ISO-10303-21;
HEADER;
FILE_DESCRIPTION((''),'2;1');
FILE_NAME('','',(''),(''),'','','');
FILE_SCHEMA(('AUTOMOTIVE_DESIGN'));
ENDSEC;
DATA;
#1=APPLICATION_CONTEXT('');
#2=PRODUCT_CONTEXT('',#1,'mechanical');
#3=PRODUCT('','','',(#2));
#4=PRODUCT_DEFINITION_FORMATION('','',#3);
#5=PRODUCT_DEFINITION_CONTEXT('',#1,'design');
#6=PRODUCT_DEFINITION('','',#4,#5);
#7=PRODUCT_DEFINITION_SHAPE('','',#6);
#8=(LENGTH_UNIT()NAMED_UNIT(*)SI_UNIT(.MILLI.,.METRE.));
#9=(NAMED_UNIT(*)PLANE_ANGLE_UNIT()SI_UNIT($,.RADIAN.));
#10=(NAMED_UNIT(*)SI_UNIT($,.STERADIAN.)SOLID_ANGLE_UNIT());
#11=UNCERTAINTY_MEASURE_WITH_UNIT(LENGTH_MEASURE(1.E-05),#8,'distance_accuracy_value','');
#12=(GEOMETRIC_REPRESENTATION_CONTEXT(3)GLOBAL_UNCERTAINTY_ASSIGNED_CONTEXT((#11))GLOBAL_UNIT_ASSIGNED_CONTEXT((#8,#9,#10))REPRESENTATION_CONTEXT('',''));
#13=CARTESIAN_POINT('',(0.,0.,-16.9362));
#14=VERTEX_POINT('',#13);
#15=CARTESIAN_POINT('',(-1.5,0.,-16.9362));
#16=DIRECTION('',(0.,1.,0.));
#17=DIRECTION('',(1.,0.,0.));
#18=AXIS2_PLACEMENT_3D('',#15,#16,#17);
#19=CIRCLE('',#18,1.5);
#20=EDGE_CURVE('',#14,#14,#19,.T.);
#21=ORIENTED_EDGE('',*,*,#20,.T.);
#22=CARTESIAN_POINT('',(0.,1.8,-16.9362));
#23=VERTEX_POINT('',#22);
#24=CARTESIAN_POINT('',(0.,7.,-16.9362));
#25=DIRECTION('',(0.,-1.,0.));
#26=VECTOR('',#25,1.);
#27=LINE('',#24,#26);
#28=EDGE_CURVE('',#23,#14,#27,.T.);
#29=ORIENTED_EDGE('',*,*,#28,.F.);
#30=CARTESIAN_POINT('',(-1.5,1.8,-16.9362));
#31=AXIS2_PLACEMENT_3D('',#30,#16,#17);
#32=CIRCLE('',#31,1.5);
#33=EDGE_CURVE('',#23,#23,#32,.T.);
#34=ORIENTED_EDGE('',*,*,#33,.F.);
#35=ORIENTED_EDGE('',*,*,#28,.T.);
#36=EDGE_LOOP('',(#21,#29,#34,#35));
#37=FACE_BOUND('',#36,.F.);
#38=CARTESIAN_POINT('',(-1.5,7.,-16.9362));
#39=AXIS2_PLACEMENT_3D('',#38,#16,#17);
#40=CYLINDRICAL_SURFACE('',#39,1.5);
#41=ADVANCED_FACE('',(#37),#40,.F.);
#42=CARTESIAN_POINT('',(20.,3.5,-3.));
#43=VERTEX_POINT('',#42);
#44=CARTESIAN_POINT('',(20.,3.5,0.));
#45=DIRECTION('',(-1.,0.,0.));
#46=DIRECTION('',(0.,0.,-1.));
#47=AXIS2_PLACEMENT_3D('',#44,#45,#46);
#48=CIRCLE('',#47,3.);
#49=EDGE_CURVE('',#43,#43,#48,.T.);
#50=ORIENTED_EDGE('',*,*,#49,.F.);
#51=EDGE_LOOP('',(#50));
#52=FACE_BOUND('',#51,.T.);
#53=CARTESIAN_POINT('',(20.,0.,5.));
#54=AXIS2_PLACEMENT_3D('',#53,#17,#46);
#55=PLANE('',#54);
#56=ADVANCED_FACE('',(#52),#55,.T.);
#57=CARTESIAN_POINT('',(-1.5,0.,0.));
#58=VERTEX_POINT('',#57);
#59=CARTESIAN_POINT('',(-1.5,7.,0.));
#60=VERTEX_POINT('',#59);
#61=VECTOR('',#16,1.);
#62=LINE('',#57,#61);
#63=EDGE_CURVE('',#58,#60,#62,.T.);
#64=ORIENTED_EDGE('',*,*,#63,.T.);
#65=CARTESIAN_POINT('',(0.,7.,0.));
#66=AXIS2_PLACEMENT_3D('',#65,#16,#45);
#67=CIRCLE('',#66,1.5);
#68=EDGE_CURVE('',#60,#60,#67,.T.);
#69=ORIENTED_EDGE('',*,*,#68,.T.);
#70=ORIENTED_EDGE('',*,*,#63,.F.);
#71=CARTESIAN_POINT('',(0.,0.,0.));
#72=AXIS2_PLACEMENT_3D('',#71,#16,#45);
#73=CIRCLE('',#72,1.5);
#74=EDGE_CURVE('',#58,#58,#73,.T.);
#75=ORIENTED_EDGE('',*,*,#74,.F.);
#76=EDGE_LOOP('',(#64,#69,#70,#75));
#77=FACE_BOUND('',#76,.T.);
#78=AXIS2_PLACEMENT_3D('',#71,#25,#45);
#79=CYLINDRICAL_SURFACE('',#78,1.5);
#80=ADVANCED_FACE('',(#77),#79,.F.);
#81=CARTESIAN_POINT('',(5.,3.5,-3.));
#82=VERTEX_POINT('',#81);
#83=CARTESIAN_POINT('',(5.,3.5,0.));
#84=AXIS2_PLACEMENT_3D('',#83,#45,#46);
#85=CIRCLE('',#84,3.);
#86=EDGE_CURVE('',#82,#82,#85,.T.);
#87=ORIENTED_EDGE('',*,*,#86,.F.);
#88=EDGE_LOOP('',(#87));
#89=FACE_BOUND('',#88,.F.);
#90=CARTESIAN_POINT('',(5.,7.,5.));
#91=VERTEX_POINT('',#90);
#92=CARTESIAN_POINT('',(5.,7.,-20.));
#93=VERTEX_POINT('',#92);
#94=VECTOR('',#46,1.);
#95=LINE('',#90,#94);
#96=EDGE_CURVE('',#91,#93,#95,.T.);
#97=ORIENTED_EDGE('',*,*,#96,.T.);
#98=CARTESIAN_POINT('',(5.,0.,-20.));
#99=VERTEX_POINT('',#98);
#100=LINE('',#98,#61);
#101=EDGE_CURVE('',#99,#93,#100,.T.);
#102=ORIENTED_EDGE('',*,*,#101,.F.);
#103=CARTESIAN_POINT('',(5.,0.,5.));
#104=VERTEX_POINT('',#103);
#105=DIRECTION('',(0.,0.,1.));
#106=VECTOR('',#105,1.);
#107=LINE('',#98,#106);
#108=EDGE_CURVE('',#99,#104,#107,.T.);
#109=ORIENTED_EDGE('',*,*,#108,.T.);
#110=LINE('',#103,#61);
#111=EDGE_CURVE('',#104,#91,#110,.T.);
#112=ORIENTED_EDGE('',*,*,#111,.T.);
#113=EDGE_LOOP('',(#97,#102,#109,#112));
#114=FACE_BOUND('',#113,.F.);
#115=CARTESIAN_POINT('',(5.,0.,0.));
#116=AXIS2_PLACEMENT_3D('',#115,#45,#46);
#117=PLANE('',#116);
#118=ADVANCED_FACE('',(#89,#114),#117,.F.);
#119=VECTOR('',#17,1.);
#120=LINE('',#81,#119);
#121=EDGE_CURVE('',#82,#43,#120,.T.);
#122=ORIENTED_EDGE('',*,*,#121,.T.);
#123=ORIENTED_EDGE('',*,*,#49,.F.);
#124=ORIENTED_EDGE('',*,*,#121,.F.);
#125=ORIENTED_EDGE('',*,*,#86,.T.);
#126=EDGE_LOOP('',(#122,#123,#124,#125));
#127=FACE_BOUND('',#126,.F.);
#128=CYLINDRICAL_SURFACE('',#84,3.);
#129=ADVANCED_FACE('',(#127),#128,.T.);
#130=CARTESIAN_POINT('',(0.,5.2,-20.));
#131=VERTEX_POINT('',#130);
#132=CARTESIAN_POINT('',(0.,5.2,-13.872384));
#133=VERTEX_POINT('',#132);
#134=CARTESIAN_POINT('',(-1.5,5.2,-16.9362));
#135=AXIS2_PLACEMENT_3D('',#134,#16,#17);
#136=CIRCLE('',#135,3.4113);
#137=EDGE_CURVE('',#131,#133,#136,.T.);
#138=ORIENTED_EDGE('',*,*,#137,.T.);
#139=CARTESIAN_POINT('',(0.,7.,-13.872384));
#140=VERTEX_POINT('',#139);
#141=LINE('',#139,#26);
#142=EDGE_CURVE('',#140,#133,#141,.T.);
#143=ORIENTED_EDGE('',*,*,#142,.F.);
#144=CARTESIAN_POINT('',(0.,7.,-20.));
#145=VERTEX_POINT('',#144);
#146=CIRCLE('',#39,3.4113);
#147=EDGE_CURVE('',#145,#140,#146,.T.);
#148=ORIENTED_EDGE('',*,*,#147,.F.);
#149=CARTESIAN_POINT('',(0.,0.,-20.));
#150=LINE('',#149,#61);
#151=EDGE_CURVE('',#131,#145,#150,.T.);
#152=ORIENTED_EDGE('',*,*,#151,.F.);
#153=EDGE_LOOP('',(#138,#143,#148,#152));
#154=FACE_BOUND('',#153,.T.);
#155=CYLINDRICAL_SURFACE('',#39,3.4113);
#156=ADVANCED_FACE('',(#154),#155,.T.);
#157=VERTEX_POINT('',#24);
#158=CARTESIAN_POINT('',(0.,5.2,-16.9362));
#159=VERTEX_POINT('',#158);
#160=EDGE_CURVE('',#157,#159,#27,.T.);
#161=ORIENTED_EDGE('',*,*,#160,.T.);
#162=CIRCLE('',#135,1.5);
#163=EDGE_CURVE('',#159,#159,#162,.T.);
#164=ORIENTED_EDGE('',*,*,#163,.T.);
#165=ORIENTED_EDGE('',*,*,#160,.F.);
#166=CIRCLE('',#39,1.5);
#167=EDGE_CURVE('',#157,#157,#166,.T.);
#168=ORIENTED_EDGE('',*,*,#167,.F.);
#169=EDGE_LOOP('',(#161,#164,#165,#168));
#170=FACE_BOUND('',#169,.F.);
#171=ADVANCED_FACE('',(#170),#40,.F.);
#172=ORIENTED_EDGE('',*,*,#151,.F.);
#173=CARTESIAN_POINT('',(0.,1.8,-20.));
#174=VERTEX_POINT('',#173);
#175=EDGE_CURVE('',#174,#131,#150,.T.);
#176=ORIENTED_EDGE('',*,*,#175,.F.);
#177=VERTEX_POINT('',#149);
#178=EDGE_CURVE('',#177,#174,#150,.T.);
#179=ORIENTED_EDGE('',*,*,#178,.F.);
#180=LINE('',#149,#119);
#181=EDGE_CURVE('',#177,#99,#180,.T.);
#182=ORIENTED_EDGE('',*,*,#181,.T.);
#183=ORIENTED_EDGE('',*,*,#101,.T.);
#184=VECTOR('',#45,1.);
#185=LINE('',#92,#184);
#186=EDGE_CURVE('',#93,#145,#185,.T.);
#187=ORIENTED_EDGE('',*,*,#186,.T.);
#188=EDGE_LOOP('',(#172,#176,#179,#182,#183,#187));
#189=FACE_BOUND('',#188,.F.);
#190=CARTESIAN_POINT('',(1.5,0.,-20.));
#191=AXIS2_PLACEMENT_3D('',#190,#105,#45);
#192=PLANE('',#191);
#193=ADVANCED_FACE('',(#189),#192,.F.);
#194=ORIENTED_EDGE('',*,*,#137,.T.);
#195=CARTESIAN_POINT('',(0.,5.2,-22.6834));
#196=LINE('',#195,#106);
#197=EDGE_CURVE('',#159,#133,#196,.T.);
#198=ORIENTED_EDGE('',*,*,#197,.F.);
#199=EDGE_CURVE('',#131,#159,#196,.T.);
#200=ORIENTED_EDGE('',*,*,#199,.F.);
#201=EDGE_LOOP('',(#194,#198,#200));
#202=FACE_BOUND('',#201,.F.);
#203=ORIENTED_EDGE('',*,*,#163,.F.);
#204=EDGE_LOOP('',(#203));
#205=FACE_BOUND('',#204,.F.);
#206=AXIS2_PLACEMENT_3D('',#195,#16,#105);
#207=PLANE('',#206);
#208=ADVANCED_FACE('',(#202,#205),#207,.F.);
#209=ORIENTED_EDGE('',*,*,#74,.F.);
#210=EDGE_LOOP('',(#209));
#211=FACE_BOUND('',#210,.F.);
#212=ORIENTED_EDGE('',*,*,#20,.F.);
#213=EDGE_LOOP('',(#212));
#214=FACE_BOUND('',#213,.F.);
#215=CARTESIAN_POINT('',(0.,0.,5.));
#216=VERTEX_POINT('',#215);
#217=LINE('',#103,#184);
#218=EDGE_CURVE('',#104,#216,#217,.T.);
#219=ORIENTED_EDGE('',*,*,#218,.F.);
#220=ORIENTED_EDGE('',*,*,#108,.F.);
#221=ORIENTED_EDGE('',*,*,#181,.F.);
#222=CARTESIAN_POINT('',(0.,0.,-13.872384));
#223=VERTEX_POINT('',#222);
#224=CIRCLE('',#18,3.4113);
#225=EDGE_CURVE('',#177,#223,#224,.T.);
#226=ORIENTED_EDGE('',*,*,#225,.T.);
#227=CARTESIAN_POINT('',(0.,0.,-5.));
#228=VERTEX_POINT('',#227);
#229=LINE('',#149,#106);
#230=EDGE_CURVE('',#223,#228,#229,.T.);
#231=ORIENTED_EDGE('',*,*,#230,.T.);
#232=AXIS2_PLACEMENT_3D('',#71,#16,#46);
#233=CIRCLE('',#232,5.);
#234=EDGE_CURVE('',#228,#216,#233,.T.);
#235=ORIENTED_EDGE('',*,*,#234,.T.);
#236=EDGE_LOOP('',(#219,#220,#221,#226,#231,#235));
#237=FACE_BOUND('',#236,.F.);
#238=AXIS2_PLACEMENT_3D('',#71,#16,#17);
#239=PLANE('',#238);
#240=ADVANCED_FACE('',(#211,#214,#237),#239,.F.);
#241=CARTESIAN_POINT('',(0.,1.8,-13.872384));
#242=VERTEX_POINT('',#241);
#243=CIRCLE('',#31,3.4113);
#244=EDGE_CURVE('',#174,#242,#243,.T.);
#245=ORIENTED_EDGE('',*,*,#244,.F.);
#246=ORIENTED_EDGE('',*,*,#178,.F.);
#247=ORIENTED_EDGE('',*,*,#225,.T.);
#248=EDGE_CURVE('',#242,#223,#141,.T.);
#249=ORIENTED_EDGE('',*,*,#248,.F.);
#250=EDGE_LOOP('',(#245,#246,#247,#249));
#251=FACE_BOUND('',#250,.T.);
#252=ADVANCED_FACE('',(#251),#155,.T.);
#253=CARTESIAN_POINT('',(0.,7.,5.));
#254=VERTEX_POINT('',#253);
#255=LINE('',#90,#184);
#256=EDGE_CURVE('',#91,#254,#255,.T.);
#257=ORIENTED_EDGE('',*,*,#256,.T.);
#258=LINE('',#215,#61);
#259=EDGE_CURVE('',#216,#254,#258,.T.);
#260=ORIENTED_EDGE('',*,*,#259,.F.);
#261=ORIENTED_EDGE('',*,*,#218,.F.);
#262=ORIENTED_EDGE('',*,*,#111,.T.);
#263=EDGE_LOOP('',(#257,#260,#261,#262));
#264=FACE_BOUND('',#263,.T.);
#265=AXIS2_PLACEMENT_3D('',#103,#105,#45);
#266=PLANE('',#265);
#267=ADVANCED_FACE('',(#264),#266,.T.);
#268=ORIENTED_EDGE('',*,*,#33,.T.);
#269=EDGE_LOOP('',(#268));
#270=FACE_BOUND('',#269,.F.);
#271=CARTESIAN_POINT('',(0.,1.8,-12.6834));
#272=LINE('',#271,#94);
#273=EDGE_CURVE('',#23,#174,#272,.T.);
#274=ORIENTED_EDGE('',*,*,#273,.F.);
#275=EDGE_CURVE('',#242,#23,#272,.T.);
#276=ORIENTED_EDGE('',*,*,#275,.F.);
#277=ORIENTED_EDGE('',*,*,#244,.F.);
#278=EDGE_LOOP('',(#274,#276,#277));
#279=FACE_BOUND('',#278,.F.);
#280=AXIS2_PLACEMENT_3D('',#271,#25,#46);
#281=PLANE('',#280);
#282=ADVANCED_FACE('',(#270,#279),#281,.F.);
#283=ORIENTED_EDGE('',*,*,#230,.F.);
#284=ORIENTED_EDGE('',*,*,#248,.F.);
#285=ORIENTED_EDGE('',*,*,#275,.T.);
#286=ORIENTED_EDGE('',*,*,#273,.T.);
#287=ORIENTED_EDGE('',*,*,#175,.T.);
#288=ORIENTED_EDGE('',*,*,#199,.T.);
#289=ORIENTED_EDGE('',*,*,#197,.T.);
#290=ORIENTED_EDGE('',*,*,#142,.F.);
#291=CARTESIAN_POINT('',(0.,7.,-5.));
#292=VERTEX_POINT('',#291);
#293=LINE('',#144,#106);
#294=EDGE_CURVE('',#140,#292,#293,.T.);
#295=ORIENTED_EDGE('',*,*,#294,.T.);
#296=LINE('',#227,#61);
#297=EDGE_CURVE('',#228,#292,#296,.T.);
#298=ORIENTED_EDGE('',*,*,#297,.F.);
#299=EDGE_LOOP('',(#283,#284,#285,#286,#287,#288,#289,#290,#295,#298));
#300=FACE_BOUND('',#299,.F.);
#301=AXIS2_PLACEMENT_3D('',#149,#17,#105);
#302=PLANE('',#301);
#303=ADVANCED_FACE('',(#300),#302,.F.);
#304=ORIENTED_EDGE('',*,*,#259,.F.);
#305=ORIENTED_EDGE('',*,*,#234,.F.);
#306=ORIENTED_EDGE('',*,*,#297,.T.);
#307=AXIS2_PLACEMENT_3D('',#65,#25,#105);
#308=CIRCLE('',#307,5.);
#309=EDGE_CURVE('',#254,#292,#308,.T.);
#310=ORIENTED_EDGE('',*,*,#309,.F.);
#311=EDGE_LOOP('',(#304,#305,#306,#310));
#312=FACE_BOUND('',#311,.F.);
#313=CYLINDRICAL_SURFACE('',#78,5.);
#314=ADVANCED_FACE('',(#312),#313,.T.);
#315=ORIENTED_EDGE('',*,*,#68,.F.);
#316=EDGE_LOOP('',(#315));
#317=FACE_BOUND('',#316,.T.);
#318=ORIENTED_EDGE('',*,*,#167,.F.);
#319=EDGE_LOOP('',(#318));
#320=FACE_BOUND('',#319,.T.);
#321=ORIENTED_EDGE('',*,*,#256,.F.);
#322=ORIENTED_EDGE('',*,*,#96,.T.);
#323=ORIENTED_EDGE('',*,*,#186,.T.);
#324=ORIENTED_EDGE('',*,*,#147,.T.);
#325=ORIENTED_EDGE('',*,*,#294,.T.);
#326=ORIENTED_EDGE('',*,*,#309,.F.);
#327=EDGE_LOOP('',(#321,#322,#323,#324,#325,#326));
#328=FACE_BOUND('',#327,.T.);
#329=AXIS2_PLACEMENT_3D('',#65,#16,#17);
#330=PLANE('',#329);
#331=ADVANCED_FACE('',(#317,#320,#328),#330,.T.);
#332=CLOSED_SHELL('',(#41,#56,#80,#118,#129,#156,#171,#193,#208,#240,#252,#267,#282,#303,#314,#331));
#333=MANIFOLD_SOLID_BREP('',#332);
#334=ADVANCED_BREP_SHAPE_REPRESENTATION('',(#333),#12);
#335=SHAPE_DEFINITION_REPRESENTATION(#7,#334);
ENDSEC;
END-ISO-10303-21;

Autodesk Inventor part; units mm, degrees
ref_plane "YZ Plane" through (0, 0, 0) normal (1, 0, 0) x (0, 1, 0)
ref_plane "XZ Plane" through (0, 0, 0) normal (0, 1, 0) x (-1, 0, 0)
ref_plane "XY Plane" through (0, 0, 0) normal (0, 0, 1) x (1, 0, 0)
sketch "Sketch1" plane through (0, 0, 0) normal (0, 1, 0) x (-1, 0, 0)
  circle A0 centre (0, 0) radius 1.5
  circle A1 centre (0, 0) radius 5
  line L0 (-5, 0) -> (-5, 5)
  line L1 (-5, 5) -> (0, 5)
  line L2 (-5, 0) -> (-5, -20)
  line L3 (-5, -20) -> (-1.5, -20)
  line L4 (-5, -20) -> (0, -20)
  line L5 (0, -20) -> (0, -5)
  dimension "d0" = 3
  dimension "d1" = 10
  dimension "d2" = 20
extrude "Extrusion1" add sketch "Sketch1" along normal blind 7
sketch "Sketch2" plane through (5, 0, 5) normal (1, 0, 0) x (0, 0, -1)
  line L0 (10, 7) -> (0, 7) projected
  line L1 (0, 7) -> (0, 3.5)
  line L2 (0, 0) -> (25, 0) projected
  line L3 (0, 3.5) -> (5, 3.5)
  circle A0 centre (5, 3.5) radius 3
  point P0 (5, 0)
  dimension "d5" = 3.5
  dimension "d6" = 6
extrude "Extrusion2" add sketch "Sketch2" along normal blind 15
sketch "Sketch3" plane through (5, 0, 5) normal (1, 0, 0) x (0, 0, -1)
  point P0 (5, 0)
sketch "Sketch7" plane through (0, 7, 0) normal (0, 1, 0) x (1, 0, 0)
  line L0 (0, 19.9362) -> (0, 16.9362)
  line L1 (0, 20) -> (0, 5) projected
  line L2 (0, 16.9362) -> (-1.5, 16.9362)
  circle A0 centre (-1.5, 16.9362) radius 1.5
  circle A1 centre (-1.5, 16.9362) radius 3.4113
  point P0 (0, 0)
  point P1 (0, 13.8723)
  dimension "d25" = 3
  dimension "d26" = 1.5
extrude "Extrusion6" add sketch "Sketch7" against normal blind 7 contours L0 L1 A1 picked at (-0.578, 19.5142)
sketch "Sketch8" plane through (0, 0, -5) normal (-1, 0, 0) x (0, 0, 1)
  line L0 (-8.8723, 7) -> (0, 7) projected
  line L1 (-7.6834, 7) -> (-4.1834, 7)
  line L2 (-7.6834, 7) -> (-7.6834, 3.5)
  line L3 (-7.6834, 7) -> (-4.1834, 7) construction
  line L4 (-7.6834, 3.5) -> (-7.6834, 1.8)
  line L5 (-7.6834, 1.8) -> (-17.6834, 1.8)
  line L6 (-17.6834, 1.8) -> (-17.6834, 5.2)
  line L7 (-17.6834, 5.2) -> (-7.6834, 5.2)
  line L8 (-7.6834, 5.2) -> (-7.6834, 1.8)
  point P0 (5, 0)
  point P1 (-7.6834, 5.2)
  dimension "d29" = 3.5
  dimension "d30" = 3.5
  dimension "d31" = 90
  dimension "d32" = 1.7
  dimension "d33" = 10
  dimension "d34" = 3.4
extrude "Extrusion7" cut sketch "Sketch8" along normal blind 7
properties part number "stuur_ARMPJE"
